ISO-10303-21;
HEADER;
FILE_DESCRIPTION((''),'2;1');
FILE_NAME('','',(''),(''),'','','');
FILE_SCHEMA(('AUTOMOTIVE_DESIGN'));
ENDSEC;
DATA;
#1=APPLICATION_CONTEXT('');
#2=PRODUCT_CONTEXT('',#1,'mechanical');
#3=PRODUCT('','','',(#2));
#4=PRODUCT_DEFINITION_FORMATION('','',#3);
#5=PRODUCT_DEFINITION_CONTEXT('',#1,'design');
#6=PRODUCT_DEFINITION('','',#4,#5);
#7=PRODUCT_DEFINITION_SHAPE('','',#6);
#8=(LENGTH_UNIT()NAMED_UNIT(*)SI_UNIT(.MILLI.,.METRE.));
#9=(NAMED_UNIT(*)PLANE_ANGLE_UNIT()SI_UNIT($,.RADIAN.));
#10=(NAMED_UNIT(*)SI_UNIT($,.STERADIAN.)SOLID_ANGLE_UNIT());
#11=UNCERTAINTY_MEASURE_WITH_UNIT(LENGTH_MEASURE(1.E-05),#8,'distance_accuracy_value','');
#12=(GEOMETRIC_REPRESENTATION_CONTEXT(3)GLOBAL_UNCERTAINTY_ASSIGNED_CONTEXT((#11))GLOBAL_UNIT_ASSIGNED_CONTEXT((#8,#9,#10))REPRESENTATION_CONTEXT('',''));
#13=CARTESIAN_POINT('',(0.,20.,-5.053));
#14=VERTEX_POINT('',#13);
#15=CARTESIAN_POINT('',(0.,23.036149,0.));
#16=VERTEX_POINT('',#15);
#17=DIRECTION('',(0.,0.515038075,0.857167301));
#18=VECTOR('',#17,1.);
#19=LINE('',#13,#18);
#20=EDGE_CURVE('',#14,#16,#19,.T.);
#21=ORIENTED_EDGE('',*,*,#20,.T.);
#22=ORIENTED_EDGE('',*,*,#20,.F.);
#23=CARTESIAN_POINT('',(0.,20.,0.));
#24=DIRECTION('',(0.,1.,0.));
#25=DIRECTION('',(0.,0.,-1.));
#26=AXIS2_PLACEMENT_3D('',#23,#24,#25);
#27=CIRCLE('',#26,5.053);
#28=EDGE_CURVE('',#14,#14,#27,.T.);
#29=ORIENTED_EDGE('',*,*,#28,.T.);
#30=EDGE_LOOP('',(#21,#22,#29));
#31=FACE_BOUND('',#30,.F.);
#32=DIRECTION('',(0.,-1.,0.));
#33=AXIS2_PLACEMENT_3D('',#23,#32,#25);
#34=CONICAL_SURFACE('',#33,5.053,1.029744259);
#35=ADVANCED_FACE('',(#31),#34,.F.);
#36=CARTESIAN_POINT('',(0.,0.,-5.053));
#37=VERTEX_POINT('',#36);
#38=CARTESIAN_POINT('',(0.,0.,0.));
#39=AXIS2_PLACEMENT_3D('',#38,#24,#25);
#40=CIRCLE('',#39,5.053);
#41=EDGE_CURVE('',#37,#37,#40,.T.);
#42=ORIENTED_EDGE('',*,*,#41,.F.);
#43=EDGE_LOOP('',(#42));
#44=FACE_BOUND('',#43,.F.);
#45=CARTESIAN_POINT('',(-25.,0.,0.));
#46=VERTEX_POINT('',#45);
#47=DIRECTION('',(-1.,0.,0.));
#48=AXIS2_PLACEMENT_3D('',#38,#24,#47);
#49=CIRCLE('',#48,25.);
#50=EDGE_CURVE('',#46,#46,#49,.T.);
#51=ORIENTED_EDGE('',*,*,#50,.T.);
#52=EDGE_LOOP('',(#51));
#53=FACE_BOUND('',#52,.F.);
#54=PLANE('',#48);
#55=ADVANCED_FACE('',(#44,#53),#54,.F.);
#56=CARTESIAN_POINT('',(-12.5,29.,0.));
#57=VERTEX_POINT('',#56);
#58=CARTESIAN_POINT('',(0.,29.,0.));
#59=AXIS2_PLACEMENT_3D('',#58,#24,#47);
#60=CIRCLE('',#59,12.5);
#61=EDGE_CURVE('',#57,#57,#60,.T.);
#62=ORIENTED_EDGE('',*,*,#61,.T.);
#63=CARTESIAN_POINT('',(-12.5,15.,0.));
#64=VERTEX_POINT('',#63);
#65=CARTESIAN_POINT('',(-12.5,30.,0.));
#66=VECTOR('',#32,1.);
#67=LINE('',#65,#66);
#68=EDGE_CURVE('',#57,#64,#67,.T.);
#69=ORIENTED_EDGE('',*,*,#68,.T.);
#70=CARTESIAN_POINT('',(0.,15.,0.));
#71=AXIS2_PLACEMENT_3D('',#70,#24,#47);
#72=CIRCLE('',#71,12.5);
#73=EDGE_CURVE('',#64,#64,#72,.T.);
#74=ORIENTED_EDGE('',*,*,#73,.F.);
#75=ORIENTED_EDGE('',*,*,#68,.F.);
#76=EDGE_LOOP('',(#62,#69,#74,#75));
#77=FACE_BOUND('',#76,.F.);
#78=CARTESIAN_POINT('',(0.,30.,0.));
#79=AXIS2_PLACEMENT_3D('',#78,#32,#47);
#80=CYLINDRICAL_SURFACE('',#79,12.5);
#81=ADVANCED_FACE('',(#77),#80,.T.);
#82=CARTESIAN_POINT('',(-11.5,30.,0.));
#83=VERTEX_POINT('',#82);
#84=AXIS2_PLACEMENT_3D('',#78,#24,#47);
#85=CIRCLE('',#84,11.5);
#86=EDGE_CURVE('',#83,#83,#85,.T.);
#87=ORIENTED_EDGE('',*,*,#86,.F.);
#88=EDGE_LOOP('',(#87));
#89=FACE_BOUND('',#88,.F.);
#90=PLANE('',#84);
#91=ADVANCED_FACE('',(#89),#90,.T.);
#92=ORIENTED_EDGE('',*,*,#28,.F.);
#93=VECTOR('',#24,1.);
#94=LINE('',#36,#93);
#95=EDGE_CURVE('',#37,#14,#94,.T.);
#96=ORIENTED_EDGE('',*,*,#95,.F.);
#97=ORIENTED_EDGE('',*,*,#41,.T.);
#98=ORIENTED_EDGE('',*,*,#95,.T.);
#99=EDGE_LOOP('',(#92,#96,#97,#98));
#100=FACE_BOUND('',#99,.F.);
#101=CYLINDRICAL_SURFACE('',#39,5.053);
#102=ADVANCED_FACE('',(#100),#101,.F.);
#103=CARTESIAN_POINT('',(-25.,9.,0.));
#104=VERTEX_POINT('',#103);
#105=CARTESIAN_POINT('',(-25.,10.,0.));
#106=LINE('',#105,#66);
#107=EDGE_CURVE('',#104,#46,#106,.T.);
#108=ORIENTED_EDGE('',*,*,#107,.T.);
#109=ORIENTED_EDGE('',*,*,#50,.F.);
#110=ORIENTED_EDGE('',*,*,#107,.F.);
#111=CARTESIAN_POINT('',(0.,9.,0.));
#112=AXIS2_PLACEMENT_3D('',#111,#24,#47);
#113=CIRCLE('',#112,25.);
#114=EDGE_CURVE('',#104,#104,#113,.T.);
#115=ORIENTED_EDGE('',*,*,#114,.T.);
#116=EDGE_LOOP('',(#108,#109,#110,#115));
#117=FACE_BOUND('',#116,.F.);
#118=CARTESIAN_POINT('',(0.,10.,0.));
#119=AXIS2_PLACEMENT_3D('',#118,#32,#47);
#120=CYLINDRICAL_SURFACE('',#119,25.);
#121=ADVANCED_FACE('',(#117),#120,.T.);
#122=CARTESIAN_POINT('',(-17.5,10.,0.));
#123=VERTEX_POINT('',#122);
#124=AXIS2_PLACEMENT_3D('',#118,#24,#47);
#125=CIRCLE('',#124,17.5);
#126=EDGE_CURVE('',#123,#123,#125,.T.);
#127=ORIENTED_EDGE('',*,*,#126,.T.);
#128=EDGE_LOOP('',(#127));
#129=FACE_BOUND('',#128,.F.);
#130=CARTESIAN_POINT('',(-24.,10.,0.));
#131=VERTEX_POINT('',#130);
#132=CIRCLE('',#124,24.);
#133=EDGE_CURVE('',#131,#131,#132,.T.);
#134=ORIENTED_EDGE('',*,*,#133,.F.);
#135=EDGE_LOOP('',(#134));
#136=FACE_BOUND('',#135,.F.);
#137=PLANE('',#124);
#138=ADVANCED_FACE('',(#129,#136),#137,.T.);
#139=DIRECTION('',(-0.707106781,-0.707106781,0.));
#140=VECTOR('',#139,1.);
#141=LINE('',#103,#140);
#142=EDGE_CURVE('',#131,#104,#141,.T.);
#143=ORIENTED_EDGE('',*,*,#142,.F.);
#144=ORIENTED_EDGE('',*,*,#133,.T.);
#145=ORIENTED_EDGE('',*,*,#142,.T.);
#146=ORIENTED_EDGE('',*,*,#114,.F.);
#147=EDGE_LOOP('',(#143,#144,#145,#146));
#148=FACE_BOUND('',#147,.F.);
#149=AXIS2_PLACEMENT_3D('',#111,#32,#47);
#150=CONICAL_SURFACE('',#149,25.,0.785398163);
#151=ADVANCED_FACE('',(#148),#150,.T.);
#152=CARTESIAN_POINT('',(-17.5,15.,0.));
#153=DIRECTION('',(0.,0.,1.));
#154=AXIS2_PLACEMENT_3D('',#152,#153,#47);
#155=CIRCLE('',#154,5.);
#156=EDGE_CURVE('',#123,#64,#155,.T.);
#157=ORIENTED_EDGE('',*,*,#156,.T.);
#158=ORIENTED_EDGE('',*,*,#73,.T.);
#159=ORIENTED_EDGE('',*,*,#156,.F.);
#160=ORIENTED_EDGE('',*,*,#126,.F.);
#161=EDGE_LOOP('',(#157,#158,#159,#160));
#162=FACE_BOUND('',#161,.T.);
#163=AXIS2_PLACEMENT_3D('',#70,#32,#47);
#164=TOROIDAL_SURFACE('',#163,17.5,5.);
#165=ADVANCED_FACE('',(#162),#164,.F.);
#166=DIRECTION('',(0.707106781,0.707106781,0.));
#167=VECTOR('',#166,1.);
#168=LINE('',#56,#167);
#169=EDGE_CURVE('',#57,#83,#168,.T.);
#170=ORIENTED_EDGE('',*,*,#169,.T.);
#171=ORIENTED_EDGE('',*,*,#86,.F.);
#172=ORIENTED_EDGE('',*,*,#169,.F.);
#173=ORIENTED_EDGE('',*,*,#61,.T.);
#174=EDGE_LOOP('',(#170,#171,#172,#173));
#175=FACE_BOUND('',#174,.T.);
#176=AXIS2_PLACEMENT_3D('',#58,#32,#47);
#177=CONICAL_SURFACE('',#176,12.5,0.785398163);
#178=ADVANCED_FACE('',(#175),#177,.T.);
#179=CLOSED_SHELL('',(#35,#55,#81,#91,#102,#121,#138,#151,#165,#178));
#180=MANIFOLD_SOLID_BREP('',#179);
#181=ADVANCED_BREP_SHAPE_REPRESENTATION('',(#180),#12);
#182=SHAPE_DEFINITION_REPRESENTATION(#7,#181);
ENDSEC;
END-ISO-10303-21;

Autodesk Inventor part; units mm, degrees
ref_plane "YZ Plane" through (0, 0, 0) normal (1, 0, 0) x (0, 1, 0)
ref_plane "XZ Plane" through (0, 0, 0) normal (0, 1, 0) x (-1, 0, 0)
ref_plane "XY Plane" through (0, 0, 0) normal (0, 0, 1) x (1, 0, 0)
sketch "Szkic1" plane through (0, 0, 0) normal (0, 0, 1) x (1, 0, 0)
  line L0 (0, 0) -> (0, 30)
  line L1 (0, 30) -> (-12.5, 30)
  line L2 (-12.5, 30) -> (-12.5, 10)
  line L3 (-12.5, 10) -> (-25, 10)
  line L4 (-25, 10) -> (-25, 0)
  line L5 (-25, 0) -> (0, 0)
revolve "Obrót1" add sketch "Szkic1" angle 360 about axis through (0, 0, 0) along (0, 1, 0)
fillet "Zaokrąglenie1" radius 5 1 edges at (12.5, 10, 0)
chamfer "Faza1" distance 1 angle 45 2 edges at (12.5, 30, 0) (25, 10, 0)
sketch "Szkic2" plane through (0, 0, 0) normal (0, -1, 0) x (1, 0, 0)
  point P0 (0, 0)
hole "Otwór1" at (0, 0, 0) direction (0, 1, 0) diameter 10.106 depth 20 tip angle 118 thread size "M12x1.75" class "6H" standard "ISO Metric profile"
properties part number "Projekt elementy" material "Stal"
